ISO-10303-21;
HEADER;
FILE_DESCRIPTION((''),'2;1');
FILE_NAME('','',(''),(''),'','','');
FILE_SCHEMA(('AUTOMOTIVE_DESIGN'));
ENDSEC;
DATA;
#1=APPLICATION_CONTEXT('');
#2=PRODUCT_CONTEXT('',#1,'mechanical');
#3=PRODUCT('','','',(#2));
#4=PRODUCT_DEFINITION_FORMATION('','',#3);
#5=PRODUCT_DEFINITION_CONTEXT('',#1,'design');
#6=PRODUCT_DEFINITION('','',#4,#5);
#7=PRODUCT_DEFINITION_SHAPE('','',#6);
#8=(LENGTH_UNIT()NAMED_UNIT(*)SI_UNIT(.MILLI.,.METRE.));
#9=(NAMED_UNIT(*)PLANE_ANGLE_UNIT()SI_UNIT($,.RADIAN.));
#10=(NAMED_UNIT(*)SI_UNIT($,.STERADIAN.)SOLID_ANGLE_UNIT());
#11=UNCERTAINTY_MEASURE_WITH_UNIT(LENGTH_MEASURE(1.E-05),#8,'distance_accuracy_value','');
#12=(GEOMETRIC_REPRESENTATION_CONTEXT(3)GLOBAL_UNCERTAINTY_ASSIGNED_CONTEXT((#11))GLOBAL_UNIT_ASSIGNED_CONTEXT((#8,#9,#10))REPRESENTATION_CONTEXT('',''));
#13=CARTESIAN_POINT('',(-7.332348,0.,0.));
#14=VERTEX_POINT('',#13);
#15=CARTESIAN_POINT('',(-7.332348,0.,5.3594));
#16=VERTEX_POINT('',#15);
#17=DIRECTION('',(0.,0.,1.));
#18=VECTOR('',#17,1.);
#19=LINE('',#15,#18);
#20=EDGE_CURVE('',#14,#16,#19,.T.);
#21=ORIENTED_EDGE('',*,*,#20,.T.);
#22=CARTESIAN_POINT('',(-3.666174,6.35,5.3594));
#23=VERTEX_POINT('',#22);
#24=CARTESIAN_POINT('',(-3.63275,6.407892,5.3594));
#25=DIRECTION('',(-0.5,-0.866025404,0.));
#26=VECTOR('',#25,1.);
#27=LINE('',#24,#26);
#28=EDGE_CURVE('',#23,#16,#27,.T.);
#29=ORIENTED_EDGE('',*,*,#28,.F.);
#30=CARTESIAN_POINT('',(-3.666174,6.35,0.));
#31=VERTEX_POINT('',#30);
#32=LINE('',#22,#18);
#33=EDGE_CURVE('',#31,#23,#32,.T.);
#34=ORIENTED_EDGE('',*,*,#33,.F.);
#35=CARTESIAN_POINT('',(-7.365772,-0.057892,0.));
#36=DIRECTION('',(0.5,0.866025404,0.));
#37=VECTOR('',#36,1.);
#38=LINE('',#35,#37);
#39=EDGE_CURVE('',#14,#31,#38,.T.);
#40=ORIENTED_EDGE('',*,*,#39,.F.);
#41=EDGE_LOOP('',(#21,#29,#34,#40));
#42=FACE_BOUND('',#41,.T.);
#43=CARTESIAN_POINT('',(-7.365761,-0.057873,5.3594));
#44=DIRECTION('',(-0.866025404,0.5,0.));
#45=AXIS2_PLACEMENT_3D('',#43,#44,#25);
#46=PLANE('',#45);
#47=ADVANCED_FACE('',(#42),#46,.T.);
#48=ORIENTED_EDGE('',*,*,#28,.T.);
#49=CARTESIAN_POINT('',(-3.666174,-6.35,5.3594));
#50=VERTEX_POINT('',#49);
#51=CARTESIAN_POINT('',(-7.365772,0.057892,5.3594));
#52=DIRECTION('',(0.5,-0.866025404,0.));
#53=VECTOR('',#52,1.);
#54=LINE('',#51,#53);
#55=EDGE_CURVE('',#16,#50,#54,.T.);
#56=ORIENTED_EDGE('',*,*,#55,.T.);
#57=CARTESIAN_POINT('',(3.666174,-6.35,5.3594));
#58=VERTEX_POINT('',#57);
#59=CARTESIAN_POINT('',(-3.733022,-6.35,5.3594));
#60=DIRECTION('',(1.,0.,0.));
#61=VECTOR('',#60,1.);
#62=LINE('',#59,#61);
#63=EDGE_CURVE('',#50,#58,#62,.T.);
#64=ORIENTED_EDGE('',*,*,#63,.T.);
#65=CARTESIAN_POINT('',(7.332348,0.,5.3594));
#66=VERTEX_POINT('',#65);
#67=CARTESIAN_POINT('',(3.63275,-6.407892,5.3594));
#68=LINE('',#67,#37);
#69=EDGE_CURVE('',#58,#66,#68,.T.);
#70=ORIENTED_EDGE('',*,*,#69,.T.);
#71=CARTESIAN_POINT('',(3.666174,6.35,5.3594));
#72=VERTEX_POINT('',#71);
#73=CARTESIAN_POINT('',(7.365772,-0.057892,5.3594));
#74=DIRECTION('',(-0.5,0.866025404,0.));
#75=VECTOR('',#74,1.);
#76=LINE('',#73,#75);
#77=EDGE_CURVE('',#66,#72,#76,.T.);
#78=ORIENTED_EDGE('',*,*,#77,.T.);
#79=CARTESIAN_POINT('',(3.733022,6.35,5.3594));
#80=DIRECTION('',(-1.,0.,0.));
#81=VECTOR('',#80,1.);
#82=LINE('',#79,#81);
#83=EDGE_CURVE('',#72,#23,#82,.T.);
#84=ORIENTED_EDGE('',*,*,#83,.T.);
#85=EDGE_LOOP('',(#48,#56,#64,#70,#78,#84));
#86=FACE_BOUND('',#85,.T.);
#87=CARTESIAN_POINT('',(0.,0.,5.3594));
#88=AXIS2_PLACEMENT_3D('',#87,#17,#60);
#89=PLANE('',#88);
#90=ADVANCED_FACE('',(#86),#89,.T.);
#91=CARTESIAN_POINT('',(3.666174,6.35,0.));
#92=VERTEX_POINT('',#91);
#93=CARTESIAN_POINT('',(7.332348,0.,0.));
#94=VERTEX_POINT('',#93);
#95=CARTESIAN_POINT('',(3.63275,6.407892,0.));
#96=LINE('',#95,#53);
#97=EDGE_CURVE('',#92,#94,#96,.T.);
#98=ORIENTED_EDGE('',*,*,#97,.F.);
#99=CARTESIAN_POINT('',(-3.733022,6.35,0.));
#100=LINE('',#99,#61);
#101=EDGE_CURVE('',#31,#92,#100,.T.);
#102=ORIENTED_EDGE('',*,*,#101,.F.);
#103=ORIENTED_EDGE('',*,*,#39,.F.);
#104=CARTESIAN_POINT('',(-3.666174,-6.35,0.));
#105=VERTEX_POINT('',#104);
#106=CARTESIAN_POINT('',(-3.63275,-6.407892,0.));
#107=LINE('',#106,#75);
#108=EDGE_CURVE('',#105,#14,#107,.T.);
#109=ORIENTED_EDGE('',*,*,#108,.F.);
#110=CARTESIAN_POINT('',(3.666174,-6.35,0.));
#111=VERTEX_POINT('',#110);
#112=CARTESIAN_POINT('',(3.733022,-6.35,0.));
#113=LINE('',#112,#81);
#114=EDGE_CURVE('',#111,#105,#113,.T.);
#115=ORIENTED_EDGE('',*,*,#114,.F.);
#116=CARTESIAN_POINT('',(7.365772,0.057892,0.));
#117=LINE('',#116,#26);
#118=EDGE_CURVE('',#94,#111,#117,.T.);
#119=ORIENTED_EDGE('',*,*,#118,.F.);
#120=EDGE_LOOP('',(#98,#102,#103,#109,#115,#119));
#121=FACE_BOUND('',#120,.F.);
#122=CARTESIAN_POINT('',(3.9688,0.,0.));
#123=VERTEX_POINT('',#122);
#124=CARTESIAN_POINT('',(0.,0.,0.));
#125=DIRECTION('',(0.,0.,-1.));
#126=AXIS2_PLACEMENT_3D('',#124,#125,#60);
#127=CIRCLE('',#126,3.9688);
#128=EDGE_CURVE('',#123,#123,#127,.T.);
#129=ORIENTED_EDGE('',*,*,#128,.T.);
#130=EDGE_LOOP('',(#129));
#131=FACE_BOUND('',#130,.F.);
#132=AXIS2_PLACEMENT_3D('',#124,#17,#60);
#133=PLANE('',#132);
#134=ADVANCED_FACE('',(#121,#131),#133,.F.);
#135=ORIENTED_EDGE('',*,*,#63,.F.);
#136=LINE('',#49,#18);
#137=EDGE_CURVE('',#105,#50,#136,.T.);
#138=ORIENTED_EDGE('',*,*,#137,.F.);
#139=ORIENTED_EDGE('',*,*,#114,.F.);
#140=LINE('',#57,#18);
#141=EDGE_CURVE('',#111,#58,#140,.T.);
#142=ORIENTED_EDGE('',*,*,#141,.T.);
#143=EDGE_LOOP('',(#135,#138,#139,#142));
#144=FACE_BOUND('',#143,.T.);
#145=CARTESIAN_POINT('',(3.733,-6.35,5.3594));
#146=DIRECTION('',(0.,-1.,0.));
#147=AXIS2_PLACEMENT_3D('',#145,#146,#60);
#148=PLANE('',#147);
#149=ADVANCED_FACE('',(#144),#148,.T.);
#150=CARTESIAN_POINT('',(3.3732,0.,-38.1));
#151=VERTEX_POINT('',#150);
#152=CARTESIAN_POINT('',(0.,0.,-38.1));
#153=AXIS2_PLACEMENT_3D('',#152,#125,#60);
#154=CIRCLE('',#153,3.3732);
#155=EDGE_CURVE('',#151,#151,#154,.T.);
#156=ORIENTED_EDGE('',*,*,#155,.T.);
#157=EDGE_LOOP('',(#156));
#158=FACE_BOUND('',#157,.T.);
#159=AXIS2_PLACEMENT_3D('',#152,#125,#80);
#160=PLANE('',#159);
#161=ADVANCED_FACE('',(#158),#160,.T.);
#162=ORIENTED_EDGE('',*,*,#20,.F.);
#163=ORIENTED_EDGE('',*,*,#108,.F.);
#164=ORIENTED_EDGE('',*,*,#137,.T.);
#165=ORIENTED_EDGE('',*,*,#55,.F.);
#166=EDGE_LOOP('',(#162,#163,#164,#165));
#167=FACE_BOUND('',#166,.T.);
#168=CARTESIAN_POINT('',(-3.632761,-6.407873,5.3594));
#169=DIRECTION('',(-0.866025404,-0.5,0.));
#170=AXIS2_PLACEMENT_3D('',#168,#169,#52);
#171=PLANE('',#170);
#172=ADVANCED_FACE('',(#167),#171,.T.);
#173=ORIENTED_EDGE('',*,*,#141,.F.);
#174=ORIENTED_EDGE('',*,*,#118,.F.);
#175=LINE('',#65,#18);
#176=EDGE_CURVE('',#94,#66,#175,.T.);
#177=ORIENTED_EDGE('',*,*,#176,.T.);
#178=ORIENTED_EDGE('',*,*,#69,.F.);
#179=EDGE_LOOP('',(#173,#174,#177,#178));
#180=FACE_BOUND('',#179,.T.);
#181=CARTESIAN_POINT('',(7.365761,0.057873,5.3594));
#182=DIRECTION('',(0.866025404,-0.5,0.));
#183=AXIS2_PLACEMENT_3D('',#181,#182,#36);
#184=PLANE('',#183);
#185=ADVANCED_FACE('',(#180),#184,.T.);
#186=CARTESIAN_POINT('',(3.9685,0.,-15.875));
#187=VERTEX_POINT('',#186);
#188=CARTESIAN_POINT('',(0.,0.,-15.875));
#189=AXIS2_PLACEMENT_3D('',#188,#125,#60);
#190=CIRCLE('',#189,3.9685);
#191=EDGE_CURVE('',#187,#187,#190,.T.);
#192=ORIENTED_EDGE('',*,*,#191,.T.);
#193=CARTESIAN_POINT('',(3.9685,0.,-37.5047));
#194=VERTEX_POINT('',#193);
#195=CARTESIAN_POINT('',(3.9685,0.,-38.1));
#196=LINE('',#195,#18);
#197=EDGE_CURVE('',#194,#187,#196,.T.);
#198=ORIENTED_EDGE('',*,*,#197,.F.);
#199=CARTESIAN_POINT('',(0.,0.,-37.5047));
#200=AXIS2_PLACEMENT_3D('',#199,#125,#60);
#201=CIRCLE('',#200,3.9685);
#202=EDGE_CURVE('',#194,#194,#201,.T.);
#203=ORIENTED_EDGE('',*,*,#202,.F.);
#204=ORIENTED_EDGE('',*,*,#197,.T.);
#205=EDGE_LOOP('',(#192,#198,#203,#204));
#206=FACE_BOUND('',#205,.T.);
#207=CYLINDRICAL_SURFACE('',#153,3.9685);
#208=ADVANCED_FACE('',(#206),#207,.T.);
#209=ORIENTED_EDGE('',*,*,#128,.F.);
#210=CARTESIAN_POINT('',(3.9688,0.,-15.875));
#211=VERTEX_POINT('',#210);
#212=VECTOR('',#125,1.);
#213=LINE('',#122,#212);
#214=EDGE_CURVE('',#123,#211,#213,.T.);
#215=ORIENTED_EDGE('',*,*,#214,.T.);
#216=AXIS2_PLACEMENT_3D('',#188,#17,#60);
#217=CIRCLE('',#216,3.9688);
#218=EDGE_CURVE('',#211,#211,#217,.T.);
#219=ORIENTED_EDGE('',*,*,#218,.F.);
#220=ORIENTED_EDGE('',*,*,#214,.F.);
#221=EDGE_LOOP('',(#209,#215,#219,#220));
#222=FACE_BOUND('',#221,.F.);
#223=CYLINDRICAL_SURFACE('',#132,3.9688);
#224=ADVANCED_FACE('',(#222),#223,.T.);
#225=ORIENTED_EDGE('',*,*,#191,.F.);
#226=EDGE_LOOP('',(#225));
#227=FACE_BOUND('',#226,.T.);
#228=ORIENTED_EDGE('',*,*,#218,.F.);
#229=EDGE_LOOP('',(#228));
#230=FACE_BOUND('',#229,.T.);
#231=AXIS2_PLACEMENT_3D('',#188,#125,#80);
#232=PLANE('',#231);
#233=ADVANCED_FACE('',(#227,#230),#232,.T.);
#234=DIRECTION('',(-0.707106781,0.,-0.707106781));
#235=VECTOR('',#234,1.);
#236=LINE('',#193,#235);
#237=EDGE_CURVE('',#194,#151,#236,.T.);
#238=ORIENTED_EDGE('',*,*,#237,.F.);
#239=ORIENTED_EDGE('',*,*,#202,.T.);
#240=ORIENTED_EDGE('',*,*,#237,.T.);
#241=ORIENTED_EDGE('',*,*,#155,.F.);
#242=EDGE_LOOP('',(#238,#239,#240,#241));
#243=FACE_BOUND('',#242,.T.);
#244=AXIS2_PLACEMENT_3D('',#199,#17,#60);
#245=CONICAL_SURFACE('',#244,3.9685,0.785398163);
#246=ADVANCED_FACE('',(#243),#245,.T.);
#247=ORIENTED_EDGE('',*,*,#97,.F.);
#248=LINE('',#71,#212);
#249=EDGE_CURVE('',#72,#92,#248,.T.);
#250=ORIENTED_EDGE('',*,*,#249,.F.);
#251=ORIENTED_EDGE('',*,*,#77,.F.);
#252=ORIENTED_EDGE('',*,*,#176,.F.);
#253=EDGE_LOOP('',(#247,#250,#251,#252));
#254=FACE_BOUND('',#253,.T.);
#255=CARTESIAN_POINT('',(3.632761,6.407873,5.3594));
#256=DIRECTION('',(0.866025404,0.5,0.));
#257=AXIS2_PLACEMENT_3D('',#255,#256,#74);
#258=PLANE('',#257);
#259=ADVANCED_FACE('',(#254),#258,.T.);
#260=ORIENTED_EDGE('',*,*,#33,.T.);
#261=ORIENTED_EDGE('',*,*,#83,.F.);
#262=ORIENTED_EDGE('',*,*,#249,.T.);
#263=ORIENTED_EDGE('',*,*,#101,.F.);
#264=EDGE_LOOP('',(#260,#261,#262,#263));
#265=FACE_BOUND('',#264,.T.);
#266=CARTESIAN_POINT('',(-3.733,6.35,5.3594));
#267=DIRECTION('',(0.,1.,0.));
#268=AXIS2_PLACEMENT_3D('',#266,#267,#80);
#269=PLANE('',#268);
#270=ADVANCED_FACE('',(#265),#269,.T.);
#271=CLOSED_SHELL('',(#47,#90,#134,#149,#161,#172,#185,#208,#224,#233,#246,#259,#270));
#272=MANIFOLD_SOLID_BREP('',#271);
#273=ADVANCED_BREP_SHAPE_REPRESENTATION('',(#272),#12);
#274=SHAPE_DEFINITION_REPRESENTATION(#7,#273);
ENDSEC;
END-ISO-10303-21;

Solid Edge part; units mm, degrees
sketch "Sketch1" plane through (0, 0, 0) normal (0, 0, 1) x (1, 0, 0)
  circle A0 centre (0, 0) radius 7.366
  dimension "D1" = 14.732
extrude "Protrusion1" add sketch "Sketch1" along normal blind 5.3594
sketch "Sketch2" plane through (0, 0, 0) normal (0, 0, -1) x (1, 0, 0)
  circle A0 centre (0, 0) radius 3.9688
extrude "Protrusion2" add sketch "Sketch2" along normal blind 38.1
sketch "Sketch3" plane through (0, 0, -38.1) normal (0, 0, -1) x (1, 0, 0)
  circle A0 centre (0, 0) radius 3.9685
extrude "Cutout1" cut sketch "Sketch3" against normal blind 22.225 flip side to cut
chamfer "Chamfer_1" distance 0.5953 angle 45 1 edges at (-3.9685, 0, -38.1)
sketch "Sketch4" plane through (0, 0, 5.3594) normal (0, 0, 1) x (1, 0, 0)
  line L0 (-3.733, 6.35) -> (3.733, 6.35)
  dimension "D1" = 12.7
extrude "Cutout2" cut sketch "Sketch4" against normal up to next material side at (0, 6.4, 5.3594)
pattern_circular "Pattern1" count 6 over 360 about axis through (0, 0, 5.3594) along (0, 0, 1) of "Cutout2"
properties part number "24106862"
